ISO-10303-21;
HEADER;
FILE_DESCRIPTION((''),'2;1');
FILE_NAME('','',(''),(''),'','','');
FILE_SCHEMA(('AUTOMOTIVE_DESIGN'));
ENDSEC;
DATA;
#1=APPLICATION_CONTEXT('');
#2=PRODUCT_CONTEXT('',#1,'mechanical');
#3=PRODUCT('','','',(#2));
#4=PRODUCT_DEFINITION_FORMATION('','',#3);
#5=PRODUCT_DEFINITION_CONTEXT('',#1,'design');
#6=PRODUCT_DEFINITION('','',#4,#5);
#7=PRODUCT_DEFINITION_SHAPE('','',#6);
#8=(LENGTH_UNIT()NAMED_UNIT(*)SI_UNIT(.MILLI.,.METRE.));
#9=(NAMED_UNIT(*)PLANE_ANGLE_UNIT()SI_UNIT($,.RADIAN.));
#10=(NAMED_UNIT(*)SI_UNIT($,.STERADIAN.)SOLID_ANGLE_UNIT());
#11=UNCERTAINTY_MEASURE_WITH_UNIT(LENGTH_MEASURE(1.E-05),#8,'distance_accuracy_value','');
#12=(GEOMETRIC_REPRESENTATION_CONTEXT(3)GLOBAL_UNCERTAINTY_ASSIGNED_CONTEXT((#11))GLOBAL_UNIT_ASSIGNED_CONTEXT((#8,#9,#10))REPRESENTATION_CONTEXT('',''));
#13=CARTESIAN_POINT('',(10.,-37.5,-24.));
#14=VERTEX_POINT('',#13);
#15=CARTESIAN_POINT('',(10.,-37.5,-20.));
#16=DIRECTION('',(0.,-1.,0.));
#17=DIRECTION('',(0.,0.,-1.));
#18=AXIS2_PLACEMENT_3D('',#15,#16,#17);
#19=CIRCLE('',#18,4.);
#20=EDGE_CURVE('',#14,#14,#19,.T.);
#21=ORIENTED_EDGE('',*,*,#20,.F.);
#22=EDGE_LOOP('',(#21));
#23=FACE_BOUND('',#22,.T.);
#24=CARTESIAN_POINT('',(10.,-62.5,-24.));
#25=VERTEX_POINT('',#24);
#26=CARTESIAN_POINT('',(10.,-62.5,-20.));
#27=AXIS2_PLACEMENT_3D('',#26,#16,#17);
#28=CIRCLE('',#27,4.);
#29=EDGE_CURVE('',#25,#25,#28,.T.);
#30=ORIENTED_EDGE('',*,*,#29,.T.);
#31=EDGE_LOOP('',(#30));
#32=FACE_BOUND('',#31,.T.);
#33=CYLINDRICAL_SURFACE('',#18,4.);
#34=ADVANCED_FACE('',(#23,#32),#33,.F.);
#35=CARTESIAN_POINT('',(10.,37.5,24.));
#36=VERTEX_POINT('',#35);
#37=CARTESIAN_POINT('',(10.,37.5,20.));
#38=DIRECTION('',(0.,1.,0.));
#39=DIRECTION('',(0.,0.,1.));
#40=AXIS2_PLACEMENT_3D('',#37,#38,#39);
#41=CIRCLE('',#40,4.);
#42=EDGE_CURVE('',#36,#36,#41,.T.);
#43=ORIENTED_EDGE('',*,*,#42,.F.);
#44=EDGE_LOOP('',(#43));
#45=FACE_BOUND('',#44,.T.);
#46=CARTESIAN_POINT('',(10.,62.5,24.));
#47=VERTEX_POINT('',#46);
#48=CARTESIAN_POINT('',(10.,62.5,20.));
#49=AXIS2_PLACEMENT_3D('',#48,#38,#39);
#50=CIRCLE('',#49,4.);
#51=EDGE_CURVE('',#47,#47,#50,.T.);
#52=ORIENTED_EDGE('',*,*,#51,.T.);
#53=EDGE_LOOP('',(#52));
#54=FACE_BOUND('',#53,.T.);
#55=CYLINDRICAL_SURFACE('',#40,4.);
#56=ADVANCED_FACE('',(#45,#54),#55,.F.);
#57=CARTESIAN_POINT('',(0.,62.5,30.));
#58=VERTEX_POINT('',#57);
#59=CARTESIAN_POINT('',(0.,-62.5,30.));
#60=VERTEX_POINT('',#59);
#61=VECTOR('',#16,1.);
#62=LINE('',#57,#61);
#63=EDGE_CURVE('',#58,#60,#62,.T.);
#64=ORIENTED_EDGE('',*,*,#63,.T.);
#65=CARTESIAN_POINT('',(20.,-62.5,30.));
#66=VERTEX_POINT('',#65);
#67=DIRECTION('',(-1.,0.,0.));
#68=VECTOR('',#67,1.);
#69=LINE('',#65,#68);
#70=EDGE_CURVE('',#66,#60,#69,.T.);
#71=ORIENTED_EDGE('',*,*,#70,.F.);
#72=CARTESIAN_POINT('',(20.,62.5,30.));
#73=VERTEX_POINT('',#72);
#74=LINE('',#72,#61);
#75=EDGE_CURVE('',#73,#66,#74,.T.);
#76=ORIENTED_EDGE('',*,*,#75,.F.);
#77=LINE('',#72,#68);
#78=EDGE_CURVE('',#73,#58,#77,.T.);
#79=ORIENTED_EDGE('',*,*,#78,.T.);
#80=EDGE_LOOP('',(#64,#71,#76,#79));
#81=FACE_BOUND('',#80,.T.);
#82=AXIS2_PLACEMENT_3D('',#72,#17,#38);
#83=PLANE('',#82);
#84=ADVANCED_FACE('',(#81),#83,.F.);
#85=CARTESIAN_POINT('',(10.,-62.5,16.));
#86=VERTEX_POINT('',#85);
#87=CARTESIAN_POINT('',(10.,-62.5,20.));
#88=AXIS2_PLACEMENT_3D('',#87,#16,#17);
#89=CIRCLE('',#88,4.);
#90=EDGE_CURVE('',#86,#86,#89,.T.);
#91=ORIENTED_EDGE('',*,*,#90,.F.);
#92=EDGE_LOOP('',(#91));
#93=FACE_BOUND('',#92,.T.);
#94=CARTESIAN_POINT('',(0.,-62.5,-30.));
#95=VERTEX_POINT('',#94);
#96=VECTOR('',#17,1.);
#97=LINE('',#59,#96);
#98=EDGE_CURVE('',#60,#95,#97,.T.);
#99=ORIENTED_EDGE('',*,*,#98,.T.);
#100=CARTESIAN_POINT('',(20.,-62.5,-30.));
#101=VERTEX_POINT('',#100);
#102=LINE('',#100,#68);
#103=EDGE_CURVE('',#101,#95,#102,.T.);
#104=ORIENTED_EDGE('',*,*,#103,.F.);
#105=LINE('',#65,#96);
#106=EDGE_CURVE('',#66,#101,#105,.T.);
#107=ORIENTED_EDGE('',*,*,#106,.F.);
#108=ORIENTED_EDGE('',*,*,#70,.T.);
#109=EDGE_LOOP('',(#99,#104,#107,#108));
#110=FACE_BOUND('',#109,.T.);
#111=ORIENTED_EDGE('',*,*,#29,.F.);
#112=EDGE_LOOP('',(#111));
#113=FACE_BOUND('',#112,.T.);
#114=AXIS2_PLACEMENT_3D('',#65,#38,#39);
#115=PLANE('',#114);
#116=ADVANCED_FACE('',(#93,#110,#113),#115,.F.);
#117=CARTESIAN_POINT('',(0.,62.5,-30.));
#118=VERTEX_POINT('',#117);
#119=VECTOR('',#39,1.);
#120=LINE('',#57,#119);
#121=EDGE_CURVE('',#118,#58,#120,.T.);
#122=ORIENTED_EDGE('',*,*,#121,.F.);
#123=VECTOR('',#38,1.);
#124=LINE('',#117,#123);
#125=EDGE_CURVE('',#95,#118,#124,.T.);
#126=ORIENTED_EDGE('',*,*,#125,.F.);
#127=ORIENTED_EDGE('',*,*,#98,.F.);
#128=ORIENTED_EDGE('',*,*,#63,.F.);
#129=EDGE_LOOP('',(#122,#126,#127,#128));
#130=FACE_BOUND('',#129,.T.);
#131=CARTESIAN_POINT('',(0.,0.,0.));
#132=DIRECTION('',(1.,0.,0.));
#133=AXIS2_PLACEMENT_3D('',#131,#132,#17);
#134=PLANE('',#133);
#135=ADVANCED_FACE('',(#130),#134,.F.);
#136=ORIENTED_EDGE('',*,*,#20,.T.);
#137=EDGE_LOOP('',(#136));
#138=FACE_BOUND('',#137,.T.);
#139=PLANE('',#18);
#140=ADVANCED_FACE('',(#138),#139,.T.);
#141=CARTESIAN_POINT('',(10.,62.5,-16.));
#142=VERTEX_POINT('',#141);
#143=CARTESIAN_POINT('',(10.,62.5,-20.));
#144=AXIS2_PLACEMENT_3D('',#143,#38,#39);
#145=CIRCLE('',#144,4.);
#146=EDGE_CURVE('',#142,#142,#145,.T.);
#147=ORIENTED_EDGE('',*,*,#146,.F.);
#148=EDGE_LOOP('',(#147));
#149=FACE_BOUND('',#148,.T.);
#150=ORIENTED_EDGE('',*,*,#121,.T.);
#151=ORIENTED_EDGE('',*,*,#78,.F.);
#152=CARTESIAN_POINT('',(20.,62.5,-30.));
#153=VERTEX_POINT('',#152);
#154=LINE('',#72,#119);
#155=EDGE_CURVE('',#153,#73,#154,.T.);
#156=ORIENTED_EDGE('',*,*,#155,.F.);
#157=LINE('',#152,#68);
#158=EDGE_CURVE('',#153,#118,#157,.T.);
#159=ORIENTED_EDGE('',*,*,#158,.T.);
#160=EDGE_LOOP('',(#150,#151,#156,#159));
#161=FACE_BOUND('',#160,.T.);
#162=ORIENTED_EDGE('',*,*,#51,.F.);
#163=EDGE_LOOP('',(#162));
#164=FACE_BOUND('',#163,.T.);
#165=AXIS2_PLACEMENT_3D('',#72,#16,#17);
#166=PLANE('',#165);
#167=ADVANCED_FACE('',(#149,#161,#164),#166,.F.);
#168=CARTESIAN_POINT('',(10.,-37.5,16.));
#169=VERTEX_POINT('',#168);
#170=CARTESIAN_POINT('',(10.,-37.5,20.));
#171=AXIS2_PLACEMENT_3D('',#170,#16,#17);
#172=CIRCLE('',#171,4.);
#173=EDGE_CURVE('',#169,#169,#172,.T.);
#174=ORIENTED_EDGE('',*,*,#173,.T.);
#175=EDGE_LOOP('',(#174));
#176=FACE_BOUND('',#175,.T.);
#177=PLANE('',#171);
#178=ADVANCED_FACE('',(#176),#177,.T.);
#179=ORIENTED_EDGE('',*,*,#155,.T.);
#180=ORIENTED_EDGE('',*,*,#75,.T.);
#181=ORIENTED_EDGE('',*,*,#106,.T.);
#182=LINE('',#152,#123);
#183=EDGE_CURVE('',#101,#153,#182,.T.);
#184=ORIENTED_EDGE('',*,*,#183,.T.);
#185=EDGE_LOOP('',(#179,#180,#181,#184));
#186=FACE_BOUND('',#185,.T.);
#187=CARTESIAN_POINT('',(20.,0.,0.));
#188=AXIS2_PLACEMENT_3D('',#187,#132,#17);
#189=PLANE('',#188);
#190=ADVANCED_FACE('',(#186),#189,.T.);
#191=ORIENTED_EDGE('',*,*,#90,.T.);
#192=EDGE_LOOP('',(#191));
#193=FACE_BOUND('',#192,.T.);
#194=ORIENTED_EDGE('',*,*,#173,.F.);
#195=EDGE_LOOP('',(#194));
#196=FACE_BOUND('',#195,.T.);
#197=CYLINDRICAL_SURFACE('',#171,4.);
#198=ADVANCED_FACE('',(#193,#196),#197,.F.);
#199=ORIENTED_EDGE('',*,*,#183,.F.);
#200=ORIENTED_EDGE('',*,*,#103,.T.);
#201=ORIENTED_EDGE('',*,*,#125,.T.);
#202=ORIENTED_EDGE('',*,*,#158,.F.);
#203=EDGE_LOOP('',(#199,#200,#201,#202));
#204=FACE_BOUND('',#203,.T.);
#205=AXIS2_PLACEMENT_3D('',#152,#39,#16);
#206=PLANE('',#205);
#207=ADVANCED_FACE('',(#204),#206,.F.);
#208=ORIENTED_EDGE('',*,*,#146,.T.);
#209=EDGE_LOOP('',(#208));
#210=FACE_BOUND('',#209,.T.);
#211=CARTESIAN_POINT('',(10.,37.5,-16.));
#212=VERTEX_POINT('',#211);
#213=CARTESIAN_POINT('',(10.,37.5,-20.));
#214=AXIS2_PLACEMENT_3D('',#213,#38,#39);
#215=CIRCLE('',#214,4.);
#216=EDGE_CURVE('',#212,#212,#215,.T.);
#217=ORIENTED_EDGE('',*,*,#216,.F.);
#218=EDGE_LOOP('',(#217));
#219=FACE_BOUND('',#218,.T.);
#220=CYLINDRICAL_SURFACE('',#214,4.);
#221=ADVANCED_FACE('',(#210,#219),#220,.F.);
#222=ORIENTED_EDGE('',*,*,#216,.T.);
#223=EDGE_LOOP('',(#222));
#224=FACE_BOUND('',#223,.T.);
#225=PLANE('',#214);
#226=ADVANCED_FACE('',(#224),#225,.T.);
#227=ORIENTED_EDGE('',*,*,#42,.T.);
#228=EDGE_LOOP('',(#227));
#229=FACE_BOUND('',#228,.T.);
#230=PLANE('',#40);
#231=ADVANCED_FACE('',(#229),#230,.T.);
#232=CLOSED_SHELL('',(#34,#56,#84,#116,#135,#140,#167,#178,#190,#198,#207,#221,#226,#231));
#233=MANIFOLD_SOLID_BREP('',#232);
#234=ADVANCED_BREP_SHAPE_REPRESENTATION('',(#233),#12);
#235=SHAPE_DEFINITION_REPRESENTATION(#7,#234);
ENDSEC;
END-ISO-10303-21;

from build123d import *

# Parameters (mm, degrees)
CROQUIS1_W              = 60
CROQUIS1_H              = 125
SALIENTE_EXTRUIR1_DEPTH = 20
CROQUIS2_R              = 4
CORTAR_EXTRUIR1_DEPTH   = 25
CORTAR_EXTRUIR2_START   = -25
CROQUIS3_R              = 4
CORTAR_EXTRUIR2_DEPTH   = 25


with BuildPart() as part:
    # Croquis1 → Saliente-Extruir1 (new body)
    with BuildSketch(Plane(origin=(0, 0, 0), x_dir=(0, 0, -1), z_dir=(1, 0, 0))):
        Rectangle(CROQUIS1_W, CROQUIS1_H)
    extrude(amount=SALIENTE_EXTRUIR1_DEPTH)

    # Croquis2 → Cortar-Extruir1 (cut)
    with BuildSketch(Plane(origin=(0, 62.5, 0), x_dir=(1, 0, 0), z_dir=(0, 1, 0))):
        with Locations(Location((10, 20, 0), (0, 0, 270))):
            Circle(CROQUIS2_R)
        with Locations(Location((10, -20, 0), (0, 0, 270))):
            Circle(CROQUIS2_R)
    extrude(amount=-CORTAR_EXTRUIR1_DEPTH, mode=Mode.SUBTRACT)

    # Croquis3 → Cortar-Extruir2 (cut)
    with BuildSketch(Plane.XZ.offset(62.5).offset(CORTAR_EXTRUIR2_START)):
        with Locations(Location((10, 20, 0), (0, 0, 90))):
            Circle(CROQUIS3_R)
        with Locations(Location((10, -20, 0), (0, 0, 90))):
            Circle(CROQUIS3_R)
    extrude(amount=CORTAR_EXTRUIR2_DEPTH, mode=Mode.SUBTRACT)


solid = part.part
